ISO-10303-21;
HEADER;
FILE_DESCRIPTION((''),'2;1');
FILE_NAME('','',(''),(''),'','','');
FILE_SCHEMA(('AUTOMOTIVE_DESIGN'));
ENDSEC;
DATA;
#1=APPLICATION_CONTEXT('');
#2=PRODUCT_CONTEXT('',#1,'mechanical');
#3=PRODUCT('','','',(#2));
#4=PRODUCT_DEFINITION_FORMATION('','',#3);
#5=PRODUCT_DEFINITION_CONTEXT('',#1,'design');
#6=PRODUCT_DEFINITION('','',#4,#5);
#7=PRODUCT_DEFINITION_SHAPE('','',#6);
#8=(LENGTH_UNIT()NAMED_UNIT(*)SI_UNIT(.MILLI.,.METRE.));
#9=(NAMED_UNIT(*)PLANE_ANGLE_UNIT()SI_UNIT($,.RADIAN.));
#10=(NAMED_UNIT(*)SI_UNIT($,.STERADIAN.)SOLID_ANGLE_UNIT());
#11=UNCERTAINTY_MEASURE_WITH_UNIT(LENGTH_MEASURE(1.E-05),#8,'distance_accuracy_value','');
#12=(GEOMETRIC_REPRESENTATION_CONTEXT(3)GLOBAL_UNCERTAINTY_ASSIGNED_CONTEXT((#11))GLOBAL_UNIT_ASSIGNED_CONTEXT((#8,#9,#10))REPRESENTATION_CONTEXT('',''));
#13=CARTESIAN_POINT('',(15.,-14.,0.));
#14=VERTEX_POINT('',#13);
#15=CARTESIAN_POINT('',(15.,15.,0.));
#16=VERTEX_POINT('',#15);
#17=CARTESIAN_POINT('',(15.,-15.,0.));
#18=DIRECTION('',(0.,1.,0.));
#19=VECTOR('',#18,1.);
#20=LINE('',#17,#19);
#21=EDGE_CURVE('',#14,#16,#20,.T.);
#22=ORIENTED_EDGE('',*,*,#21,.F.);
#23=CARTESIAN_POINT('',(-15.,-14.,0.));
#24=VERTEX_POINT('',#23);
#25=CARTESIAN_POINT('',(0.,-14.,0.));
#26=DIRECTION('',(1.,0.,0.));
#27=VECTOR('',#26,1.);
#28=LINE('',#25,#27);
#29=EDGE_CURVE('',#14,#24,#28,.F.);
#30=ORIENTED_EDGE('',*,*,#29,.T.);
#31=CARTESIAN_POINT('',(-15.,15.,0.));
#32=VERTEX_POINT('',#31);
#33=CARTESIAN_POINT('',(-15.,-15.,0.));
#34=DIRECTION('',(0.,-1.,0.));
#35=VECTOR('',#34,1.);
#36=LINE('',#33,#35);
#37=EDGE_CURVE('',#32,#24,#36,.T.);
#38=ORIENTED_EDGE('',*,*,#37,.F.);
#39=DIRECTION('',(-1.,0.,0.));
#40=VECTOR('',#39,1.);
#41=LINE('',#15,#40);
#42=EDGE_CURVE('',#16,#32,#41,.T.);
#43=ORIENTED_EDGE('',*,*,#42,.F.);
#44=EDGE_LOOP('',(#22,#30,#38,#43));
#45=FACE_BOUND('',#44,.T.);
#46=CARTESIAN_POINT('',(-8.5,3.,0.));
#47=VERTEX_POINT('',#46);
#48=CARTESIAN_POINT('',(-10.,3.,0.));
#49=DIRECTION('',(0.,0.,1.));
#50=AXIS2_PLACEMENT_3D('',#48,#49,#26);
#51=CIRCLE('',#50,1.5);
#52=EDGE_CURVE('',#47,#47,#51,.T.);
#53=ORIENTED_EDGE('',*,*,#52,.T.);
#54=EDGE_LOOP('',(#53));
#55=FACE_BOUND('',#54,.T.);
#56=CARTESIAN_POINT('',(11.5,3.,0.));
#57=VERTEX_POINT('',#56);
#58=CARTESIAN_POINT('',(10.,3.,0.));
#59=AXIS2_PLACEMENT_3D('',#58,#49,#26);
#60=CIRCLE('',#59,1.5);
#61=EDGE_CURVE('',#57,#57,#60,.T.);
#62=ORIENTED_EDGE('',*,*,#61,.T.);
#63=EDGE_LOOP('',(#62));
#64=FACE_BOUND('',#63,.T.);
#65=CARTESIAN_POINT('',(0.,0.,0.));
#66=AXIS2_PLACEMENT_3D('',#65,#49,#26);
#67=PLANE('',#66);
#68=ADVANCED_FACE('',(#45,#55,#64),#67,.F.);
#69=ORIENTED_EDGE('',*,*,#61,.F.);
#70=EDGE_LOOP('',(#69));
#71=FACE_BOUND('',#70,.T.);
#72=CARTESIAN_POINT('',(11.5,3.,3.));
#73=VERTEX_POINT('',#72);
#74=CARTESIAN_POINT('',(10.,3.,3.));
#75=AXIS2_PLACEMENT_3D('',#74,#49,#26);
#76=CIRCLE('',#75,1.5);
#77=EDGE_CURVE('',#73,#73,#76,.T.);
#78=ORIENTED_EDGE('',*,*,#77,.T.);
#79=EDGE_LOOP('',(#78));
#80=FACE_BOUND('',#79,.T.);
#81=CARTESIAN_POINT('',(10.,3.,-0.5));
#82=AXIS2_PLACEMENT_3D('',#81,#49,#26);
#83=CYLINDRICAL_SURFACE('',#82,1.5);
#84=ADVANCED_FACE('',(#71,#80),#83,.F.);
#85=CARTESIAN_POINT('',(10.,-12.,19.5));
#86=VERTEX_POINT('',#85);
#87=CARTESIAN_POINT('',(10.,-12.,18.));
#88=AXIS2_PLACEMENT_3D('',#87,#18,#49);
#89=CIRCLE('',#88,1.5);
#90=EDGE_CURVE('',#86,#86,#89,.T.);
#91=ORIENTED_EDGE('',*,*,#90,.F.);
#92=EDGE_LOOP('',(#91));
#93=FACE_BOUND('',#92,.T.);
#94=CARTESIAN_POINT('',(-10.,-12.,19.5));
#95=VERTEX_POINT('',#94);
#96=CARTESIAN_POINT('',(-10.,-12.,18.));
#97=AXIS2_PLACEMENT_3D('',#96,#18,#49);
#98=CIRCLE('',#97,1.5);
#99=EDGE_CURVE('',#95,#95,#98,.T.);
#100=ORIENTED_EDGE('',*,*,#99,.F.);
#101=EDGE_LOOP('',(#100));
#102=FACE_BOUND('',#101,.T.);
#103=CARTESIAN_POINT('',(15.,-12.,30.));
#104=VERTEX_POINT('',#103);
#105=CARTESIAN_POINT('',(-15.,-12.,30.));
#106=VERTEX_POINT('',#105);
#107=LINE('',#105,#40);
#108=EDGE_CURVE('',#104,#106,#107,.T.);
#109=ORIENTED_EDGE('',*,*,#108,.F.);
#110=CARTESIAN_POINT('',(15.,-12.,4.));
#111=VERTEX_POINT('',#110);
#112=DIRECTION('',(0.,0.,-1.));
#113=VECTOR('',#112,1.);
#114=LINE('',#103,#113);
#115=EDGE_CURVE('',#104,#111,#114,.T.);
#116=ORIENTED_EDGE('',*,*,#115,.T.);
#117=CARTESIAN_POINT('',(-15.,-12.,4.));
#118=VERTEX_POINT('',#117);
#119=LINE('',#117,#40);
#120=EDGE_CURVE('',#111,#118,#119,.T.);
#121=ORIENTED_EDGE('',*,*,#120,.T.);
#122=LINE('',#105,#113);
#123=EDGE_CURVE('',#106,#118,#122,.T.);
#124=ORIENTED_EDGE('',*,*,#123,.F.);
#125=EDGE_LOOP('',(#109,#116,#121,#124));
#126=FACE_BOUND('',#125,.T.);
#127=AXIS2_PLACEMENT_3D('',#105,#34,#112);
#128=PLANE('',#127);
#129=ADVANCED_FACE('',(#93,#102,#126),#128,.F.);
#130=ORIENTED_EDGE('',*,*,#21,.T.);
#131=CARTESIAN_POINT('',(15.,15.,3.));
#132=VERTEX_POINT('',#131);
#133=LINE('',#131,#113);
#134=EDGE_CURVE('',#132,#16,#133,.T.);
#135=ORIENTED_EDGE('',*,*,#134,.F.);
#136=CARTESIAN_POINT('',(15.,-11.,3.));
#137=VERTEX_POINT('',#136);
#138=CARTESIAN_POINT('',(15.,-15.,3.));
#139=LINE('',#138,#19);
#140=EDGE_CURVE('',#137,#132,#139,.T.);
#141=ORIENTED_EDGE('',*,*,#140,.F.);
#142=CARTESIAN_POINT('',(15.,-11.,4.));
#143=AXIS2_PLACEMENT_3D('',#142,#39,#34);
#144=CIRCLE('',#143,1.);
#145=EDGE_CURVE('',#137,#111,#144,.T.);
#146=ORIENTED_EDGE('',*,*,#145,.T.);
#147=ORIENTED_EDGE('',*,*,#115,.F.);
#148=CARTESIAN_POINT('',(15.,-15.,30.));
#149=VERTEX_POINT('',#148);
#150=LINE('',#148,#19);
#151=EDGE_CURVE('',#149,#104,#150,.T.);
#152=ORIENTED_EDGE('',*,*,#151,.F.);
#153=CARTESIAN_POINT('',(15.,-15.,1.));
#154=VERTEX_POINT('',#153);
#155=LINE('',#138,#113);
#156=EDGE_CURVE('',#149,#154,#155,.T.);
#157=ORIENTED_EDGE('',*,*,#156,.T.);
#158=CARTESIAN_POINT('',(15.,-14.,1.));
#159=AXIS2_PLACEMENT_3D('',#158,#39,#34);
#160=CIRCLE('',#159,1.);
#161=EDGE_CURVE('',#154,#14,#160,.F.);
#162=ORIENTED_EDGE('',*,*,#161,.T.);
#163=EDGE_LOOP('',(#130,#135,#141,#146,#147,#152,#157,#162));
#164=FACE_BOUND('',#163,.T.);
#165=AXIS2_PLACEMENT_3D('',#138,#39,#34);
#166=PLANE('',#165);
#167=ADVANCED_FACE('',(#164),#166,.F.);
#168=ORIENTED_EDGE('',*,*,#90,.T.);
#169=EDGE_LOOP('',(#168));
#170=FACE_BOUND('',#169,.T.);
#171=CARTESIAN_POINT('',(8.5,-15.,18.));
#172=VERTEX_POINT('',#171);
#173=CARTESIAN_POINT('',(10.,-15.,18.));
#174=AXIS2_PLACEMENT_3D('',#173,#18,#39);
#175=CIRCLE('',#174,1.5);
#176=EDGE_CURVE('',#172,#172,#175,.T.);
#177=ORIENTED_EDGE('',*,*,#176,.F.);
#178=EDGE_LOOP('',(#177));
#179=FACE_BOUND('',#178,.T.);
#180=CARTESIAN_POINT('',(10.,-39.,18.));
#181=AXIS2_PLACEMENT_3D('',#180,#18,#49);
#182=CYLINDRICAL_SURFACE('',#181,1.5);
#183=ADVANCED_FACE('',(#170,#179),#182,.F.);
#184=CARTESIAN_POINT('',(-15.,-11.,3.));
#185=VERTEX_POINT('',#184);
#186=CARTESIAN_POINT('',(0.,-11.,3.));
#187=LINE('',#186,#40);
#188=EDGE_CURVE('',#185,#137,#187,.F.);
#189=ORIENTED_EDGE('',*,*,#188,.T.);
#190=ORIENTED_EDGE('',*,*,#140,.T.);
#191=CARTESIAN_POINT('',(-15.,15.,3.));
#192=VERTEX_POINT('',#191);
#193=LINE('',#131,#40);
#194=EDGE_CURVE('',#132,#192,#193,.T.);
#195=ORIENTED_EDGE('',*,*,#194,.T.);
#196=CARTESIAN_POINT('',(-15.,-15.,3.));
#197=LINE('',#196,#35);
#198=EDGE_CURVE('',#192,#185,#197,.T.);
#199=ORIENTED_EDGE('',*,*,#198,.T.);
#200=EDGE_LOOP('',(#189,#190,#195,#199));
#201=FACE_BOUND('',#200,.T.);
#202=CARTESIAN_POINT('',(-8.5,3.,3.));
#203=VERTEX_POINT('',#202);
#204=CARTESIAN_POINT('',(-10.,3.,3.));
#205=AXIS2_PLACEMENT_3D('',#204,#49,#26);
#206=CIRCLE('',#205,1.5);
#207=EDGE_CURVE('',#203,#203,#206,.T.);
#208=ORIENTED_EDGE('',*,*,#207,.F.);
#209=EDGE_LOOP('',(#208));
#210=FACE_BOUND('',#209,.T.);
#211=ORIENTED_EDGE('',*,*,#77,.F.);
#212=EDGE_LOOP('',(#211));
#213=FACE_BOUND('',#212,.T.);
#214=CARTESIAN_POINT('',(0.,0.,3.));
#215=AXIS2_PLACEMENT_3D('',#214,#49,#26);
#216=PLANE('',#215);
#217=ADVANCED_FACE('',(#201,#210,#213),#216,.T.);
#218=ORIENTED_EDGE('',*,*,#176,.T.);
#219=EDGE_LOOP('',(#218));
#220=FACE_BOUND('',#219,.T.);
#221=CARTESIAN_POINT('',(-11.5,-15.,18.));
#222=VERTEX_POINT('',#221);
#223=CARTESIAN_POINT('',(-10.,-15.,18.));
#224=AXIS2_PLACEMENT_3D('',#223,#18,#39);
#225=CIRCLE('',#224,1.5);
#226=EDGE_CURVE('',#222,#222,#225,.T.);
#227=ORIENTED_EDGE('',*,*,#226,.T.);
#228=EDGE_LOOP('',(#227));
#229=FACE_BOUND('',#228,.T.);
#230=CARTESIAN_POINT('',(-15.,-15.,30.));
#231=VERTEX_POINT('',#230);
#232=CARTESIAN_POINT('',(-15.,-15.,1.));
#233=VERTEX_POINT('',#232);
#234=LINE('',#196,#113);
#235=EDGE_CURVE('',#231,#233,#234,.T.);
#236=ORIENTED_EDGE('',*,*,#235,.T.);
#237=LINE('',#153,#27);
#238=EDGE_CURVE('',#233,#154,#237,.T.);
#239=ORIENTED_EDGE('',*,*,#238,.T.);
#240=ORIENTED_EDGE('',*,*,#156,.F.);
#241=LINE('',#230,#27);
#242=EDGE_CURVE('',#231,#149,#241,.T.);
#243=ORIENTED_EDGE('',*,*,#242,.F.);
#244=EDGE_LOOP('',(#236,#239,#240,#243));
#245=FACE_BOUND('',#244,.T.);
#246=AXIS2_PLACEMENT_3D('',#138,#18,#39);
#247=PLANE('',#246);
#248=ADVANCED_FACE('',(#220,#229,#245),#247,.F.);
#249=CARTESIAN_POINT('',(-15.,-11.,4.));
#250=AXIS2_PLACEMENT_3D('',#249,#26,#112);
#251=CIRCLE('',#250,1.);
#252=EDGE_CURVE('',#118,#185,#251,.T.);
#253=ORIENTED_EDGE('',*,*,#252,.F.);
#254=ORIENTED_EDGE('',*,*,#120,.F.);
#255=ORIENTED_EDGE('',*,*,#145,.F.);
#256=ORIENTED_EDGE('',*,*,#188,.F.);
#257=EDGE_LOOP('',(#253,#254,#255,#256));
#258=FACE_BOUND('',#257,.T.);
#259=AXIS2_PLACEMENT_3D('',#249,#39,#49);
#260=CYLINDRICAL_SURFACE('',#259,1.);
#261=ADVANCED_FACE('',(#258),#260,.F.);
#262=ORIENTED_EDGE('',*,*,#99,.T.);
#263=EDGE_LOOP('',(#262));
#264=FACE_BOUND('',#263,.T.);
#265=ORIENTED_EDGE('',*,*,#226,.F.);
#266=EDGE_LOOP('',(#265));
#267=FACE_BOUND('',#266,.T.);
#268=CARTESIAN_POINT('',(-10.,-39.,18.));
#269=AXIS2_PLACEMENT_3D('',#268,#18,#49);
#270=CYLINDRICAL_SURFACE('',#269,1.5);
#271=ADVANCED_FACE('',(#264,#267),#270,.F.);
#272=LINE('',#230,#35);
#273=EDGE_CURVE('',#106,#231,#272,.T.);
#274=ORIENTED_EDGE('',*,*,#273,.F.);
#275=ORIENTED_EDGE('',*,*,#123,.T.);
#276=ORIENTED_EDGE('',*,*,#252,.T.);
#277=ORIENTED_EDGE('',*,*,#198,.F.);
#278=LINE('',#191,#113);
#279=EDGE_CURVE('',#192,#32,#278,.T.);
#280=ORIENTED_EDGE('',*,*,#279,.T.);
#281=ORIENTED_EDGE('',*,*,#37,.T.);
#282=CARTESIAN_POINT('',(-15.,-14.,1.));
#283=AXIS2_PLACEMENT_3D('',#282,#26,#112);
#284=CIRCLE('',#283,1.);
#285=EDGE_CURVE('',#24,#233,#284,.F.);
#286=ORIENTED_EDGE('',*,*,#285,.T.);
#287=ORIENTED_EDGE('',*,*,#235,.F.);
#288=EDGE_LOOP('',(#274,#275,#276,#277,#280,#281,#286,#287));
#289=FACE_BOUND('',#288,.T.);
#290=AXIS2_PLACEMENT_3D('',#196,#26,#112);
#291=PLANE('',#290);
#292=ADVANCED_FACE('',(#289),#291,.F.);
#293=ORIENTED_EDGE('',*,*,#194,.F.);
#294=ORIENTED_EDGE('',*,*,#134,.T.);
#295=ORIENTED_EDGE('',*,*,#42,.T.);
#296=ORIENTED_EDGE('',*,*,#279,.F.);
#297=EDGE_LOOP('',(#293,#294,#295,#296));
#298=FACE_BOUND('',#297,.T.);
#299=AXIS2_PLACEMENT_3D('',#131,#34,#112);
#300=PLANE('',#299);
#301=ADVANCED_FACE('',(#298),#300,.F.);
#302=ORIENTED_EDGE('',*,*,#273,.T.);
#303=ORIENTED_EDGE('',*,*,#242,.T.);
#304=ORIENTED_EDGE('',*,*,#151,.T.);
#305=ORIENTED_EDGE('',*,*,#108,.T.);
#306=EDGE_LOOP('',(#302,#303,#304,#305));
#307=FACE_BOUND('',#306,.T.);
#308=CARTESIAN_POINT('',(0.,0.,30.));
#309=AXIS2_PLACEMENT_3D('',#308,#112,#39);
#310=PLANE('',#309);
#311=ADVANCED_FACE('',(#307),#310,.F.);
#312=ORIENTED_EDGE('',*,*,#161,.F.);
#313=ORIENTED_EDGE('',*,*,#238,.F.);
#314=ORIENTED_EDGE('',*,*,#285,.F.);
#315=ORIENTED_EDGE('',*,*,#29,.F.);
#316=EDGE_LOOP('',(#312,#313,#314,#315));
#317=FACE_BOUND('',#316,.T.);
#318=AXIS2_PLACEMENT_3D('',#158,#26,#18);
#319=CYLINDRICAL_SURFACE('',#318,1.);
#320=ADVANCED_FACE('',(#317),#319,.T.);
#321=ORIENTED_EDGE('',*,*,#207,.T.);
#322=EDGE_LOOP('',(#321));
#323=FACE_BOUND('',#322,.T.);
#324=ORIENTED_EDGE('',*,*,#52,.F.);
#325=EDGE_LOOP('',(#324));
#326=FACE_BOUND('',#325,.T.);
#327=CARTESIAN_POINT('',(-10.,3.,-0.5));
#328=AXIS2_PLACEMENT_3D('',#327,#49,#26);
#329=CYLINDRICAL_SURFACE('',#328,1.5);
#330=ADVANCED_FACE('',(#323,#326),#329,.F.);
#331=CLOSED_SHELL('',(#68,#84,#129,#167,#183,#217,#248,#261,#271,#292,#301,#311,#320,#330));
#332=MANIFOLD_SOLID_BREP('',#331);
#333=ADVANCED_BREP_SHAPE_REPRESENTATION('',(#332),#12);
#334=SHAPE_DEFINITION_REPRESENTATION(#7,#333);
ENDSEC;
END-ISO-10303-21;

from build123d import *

# Parameters (mm, degrees)
SKETCH_1_W          = 30
SKETCH_1_H          = 30
EXTRUDE_1_DEPTH     = 3
SKETCH_2_R          = 1.5
CUT_EXTRUDE_1_DEPTH = 3.5
SKETCH_3_W          = 30
SKETCH_3_H          = 3
EXTRUDE_2_DEPTH     = 27
SKETCH_4_R          = 1.5
CUT_EXTRUDE_2_DEPTH = 27
FILLET_1_R          = 1
FILLET_2_R          = 1


with BuildPart() as part:
    # 草图1 → 凸台-拉伸1 (new body)
    with BuildSketch(Plane.XY):
        Rectangle(SKETCH_1_W, SKETCH_1_H)
    extrude(amount=EXTRUDE_1_DEPTH)

    # 草图2 → 切除-拉伸1 (cut)
    with BuildSketch(Plane.XY.offset(3)):
        with Locations((10, 3)):
            Circle(SKETCH_2_R)
        with Locations((-10, 3)):
            Circle(SKETCH_2_R)
    extrude(amount=-CUT_EXTRUDE_1_DEPTH, mode=Mode.SUBTRACT)

    # 草图3 → 凸台-拉伸2 (add)
    with BuildSketch(Plane.XY.offset(3)):
        with Locations((0, -13.5)):
            Rectangle(SKETCH_3_W, SKETCH_3_H)
    extrude(amount=EXTRUDE_2_DEPTH)

    # 草图4 → 切除-拉伸2 (cut)
    with BuildSketch(Plane(origin=(0, -12, 0), x_dir=(1, 0, 0), z_dir=(0, 1, 0))):
        with Locations(Location((10, -18, 0), (0, 0, 270))):
            Circle(SKETCH_4_R)
        with Locations(Location((-10, -18, 0), (0, 0, 270))):
            Circle(SKETCH_4_R)
    extrude(amount=-CUT_EXTRUDE_2_DEPTH, mode=Mode.SUBTRACT)

    # 圆角1
    fillet_1_edges = [part.edges().sort_by_distance(p)[0] for p in [
        (0, -12, 3),
    ]]
    fillet(fillet_1_edges, radius=FILLET_1_R)

    # 圆角2
    fillet_2_edges = [part.edges().sort_by_distance(p)[0] for p in [
        (0, -15, 0),
    ]]
    fillet(fillet_2_edges, radius=FILLET_2_R)


solid = part.part
